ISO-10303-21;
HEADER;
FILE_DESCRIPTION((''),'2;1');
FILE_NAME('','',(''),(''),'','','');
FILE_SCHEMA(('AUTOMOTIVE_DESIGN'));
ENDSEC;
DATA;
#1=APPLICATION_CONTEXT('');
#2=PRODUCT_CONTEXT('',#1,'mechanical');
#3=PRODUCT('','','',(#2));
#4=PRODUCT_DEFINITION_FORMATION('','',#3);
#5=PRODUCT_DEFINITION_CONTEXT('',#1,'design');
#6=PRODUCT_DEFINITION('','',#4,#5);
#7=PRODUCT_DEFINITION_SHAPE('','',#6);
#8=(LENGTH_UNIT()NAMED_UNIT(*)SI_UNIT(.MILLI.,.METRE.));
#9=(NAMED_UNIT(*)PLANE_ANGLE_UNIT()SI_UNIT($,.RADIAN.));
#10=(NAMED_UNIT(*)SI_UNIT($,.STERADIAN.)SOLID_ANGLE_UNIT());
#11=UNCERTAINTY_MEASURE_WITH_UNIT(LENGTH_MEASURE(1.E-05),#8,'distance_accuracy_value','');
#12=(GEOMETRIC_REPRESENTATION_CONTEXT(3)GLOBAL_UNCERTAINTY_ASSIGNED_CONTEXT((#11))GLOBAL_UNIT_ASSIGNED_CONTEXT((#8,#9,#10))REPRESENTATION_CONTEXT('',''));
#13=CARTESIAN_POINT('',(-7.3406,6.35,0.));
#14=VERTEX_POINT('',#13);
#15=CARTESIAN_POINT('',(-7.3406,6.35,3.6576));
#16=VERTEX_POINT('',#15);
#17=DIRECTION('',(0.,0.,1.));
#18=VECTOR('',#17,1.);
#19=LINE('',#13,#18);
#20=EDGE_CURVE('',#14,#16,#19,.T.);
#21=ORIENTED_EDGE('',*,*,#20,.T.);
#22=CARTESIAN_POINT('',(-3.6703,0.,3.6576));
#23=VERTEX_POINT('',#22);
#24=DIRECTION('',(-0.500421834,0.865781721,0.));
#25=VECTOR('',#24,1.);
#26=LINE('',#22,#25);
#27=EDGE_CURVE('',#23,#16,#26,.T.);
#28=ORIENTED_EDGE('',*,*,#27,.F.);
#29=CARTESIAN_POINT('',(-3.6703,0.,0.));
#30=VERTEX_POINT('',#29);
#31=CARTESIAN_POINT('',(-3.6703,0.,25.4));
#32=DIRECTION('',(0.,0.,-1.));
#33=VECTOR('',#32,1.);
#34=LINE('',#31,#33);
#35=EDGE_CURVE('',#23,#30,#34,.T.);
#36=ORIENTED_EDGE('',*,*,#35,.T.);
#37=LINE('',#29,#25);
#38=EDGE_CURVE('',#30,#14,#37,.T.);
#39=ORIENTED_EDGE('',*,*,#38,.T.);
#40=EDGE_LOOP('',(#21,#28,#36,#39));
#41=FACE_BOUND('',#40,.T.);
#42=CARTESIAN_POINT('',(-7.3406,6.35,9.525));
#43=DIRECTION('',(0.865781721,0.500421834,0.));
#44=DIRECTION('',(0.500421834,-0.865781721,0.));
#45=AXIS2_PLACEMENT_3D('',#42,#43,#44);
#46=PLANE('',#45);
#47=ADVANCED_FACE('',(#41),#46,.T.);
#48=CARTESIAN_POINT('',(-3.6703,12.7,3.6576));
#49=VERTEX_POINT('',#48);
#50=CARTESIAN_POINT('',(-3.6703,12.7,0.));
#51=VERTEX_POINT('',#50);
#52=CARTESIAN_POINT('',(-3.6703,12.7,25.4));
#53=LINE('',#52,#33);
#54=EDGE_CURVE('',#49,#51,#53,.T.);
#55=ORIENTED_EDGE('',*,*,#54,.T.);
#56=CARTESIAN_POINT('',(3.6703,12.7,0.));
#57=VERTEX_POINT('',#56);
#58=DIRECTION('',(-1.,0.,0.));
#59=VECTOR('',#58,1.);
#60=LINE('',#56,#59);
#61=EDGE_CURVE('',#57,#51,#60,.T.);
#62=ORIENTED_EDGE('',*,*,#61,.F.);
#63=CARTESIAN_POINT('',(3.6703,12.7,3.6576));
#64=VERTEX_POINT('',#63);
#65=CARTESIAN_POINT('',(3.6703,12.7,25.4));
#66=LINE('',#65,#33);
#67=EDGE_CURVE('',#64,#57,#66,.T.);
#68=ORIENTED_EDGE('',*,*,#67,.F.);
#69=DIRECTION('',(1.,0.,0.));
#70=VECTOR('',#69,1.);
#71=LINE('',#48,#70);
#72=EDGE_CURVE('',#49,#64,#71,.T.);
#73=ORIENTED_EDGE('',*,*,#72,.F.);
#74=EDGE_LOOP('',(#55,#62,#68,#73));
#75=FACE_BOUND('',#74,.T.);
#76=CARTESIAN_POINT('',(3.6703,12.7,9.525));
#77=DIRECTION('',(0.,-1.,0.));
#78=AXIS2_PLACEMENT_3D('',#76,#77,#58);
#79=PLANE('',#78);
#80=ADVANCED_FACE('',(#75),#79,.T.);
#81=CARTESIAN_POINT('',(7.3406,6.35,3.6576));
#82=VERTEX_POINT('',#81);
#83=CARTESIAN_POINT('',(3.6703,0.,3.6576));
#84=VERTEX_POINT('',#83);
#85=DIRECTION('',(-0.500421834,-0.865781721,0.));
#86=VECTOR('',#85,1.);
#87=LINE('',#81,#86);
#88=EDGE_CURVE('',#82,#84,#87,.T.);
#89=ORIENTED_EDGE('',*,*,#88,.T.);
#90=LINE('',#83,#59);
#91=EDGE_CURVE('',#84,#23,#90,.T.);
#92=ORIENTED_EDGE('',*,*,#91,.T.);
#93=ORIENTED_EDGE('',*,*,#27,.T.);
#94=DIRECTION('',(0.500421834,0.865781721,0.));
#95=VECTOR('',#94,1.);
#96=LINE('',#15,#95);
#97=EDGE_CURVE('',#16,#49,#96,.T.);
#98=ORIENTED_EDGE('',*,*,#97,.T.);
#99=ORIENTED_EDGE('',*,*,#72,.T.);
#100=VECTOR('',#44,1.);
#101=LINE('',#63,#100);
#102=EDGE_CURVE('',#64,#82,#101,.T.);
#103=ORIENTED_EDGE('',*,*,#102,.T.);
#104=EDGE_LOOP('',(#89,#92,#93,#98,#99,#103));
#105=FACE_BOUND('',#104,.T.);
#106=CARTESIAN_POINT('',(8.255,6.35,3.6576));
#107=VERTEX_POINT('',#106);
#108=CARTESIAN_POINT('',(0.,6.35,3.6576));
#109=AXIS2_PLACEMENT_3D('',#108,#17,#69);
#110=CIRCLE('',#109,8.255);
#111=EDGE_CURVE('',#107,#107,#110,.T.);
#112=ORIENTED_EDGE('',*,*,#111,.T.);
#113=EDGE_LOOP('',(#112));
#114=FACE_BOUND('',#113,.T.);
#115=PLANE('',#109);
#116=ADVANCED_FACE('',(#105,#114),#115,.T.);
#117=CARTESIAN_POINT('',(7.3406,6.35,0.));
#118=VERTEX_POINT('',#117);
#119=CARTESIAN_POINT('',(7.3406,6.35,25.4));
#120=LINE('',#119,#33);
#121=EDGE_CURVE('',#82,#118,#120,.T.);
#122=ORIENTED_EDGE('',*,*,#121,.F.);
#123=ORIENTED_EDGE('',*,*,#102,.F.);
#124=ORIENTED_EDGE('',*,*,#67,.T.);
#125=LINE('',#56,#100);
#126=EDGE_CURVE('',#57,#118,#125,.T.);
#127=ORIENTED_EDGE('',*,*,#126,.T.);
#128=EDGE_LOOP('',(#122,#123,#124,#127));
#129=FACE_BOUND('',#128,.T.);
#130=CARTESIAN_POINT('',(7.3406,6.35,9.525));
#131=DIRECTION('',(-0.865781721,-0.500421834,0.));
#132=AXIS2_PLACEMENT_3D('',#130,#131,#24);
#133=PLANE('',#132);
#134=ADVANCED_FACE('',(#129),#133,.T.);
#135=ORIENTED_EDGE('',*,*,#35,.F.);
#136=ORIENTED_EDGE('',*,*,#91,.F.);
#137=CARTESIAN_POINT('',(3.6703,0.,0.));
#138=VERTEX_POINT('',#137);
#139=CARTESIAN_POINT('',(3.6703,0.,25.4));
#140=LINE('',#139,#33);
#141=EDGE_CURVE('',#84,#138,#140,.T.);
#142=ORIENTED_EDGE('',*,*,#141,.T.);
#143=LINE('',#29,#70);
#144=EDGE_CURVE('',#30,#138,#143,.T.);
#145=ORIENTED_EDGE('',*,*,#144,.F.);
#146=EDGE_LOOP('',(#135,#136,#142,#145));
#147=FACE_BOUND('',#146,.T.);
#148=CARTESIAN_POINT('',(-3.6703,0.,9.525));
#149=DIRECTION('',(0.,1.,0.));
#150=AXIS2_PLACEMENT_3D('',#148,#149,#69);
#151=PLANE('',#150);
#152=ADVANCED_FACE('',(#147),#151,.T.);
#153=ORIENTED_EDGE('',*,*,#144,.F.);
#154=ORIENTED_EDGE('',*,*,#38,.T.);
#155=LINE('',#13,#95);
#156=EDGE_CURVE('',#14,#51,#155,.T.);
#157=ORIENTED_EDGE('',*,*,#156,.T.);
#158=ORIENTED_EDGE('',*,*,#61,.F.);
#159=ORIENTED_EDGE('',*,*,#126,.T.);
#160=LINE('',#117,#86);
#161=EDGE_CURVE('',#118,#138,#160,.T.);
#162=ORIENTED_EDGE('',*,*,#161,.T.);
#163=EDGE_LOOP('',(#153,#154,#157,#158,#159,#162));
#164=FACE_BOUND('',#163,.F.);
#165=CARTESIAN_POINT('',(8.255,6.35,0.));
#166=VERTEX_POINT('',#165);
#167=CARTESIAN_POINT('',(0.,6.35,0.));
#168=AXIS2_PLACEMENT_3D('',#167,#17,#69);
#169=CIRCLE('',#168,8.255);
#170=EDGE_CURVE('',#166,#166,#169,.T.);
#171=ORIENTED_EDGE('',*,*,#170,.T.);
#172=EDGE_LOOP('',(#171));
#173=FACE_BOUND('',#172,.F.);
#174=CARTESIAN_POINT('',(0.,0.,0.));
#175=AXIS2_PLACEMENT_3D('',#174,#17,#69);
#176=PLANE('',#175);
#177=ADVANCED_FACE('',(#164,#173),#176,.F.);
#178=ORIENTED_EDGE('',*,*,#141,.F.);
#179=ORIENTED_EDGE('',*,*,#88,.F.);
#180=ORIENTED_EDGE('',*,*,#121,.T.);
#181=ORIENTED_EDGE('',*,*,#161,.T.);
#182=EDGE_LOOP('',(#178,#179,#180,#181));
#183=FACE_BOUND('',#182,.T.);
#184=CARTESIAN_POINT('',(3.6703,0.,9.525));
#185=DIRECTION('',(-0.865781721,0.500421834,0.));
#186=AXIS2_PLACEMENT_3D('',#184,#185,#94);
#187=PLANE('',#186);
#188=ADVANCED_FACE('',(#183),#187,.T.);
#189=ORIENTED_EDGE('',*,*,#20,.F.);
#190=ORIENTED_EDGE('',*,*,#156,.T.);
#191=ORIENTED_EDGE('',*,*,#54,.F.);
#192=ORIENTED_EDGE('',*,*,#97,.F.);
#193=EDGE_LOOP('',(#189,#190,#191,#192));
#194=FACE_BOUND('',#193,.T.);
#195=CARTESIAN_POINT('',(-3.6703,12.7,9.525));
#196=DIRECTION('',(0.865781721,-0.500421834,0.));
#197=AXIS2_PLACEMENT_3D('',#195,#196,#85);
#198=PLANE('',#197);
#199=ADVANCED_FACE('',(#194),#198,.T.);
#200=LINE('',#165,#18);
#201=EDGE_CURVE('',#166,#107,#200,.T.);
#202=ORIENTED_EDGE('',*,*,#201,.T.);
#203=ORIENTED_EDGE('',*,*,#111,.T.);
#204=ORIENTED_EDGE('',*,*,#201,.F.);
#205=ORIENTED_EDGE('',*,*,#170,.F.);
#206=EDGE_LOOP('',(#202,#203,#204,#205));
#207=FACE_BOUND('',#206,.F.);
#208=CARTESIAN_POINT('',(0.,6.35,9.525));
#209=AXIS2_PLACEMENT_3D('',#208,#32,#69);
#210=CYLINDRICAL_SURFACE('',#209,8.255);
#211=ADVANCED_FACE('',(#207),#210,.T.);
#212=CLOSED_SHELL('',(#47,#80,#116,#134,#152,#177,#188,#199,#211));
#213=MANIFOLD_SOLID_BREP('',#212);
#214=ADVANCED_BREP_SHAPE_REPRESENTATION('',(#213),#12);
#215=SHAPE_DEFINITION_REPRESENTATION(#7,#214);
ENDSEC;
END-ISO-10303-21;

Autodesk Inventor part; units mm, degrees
ref_plane "YZ Plane" through (0, 0, 0) normal (1, 0, 0) x (0, 1, 0)
ref_plane "XZ Plane" through (0, 0, 0) normal (0, 1, 0) x (-1, 0, 0)
ref_plane "XY Plane" through (0, 0, 0) normal (0, 0, 1) x (1, 0, 0)
sketch "Sketch2" plane through (0, 0, 0) normal (0, 0, 1) x (1, 0, 0)
  line L0 (0, 12.7) -> (3.6703, 12.7)
  line L1 (0, 12.7) -> (-3.6703, 12.7)
  line L2 (0, 0) -> (3.6703, 0)
  line L3 (0, 0) -> (-3.6703, 0)
  line L4 (-3.6703, 0) -> (-7.3406, 6.35)
  line L5 (-7.3406, 6.35) -> (-3.6703, 12.7)
  line L6 (3.6703, 12.7) -> (7.3406, 6.35)
  line L7 (7.3406, 6.35) -> (3.6703, 0)
  line L8 (0, 0) -> (0, 6.35)
  circle A0 centre (0, 6.35) radius 8.255
  dimension "d11" = 6.35
  dimension "d12" = 16.51
extrude "Extrusion2" add sketch "Sketch2" along normal blind 6.223
sketch "Sketch3" plane through (0, 6.35, 6.223) normal (0, 0, 1) x (1, 0, 0)
  line L0 (-3.6703, -6.35) -> (-7.3406, 0) projected
  line L1 (-7.3406, 0) -> (-3.6703, 6.35) projected
  line L2 (-3.6703, 6.35) -> (3.6703, 6.35) projected
  line L3 (3.6703, 6.35) -> (7.3406, 0) projected
  line L4 (7.3406, 0) -> (3.6703, -6.35) projected
  line L5 (3.6703, -6.35) -> (-3.6703, -6.35) projected
  circle A0 centre (0, 0) radius 8.255 projected
  point P0 (0, -6.35)
extrude "Extrusion3" add sketch "Sketch3" along normal blind 3.302
sketch "Sketch4" plane through (0, 6.35, 9.525) normal (0, 0, 1) x (1, 0, 0)
  line L0 (-7.3406, 0) -> (-3.6703, 6.35) projected
  line L1 (-3.6703, 6.35) -> (3.6703, 6.35) projected
  line L2 (3.6703, 6.35) -> (7.3406, 0) projected
  line L3 (7.3406, 0) -> (3.6703, -6.35) projected
  line L4 (3.6703, -6.35) -> (-3.6703, -6.35) projected
  line L5 (-3.6703, -6.35) -> (-7.3406, 0) projected
  circle A0 centre (0, 0) radius 8.255 projected
  point P0 (0, -6.35)
extrude "Extrusion4" add sketch "Sketch4" along normal blind 6.5786
sketch "Sketch5" plane through (0, 6.35, 16.1036) normal (0, 0, 1) x (1, 0, 0)
  line L0 (-16.3467, 15.7745) -> (15.1254, 15.7745)
  line L1 (15.1254, 15.7745) -> (15.1254, -12.8793)
  line L2 (15.1254, -12.8793) -> (-16.3467, -12.8793)
  line L3 (-16.3467, -12.8793) -> (-16.3467, 15.7745)
  point P0 (0, -6.35)
extrude "Extrusion5" cut sketch "Sketch5" against normal blind 6.5786
sketch "Sketch8" plane through (0, 6.35, 9.525) normal (0, 0, 1) x (1, 0, 0)
  line L0 (-7.3406, 0) -> (-3.6703, -6.35) projected
  line L1 (-3.6703, 6.35) -> (-7.3406, 0) projected
  line L2 (3.6703, 6.35) -> (-3.6703, 6.35) projected
  line L3 (7.3406, 0) -> (3.6703, 6.35) projected
  line L4 (3.6703, -6.35) -> (7.3406, 0) projected
  line L5 (-3.6703, -6.35) -> (3.6703, -6.35) projected
  circle A0 centre (0, 0) radius 8.255 projected
  point P0 (0, -6.35)
extrude "Extrusion7" add sketch "Sketch8" along normal blind 15.875
sketch "Sketch9" plane through (0, 6.35, 25.4) normal (0, 0, 1) x (1, 0, 0)
  line L0 (-7.3406, 0) -> (-3.6703, 6.35) projected
  line L1 (-3.6703, 6.35) -> (3.6703, 6.35) projected
  line L2 (3.6703, 6.35) -> (7.3406, 0) projected
  line L3 (7.3406, 0) -> (3.6703, -6.35) projected
  line L4 (3.6703, -6.35) -> (-3.6703, -6.35) projected
  line L5 (-3.6703, -6.35) -> (-7.3406, 0) projected
  circle A0 centre (0, 0) radius 8.255 projected
  point P0 (0, -6.35)
extrude "Extrusion8" cut sketch "Sketch9" against normal blind 21.7424
properties part number ".144Spacer"
